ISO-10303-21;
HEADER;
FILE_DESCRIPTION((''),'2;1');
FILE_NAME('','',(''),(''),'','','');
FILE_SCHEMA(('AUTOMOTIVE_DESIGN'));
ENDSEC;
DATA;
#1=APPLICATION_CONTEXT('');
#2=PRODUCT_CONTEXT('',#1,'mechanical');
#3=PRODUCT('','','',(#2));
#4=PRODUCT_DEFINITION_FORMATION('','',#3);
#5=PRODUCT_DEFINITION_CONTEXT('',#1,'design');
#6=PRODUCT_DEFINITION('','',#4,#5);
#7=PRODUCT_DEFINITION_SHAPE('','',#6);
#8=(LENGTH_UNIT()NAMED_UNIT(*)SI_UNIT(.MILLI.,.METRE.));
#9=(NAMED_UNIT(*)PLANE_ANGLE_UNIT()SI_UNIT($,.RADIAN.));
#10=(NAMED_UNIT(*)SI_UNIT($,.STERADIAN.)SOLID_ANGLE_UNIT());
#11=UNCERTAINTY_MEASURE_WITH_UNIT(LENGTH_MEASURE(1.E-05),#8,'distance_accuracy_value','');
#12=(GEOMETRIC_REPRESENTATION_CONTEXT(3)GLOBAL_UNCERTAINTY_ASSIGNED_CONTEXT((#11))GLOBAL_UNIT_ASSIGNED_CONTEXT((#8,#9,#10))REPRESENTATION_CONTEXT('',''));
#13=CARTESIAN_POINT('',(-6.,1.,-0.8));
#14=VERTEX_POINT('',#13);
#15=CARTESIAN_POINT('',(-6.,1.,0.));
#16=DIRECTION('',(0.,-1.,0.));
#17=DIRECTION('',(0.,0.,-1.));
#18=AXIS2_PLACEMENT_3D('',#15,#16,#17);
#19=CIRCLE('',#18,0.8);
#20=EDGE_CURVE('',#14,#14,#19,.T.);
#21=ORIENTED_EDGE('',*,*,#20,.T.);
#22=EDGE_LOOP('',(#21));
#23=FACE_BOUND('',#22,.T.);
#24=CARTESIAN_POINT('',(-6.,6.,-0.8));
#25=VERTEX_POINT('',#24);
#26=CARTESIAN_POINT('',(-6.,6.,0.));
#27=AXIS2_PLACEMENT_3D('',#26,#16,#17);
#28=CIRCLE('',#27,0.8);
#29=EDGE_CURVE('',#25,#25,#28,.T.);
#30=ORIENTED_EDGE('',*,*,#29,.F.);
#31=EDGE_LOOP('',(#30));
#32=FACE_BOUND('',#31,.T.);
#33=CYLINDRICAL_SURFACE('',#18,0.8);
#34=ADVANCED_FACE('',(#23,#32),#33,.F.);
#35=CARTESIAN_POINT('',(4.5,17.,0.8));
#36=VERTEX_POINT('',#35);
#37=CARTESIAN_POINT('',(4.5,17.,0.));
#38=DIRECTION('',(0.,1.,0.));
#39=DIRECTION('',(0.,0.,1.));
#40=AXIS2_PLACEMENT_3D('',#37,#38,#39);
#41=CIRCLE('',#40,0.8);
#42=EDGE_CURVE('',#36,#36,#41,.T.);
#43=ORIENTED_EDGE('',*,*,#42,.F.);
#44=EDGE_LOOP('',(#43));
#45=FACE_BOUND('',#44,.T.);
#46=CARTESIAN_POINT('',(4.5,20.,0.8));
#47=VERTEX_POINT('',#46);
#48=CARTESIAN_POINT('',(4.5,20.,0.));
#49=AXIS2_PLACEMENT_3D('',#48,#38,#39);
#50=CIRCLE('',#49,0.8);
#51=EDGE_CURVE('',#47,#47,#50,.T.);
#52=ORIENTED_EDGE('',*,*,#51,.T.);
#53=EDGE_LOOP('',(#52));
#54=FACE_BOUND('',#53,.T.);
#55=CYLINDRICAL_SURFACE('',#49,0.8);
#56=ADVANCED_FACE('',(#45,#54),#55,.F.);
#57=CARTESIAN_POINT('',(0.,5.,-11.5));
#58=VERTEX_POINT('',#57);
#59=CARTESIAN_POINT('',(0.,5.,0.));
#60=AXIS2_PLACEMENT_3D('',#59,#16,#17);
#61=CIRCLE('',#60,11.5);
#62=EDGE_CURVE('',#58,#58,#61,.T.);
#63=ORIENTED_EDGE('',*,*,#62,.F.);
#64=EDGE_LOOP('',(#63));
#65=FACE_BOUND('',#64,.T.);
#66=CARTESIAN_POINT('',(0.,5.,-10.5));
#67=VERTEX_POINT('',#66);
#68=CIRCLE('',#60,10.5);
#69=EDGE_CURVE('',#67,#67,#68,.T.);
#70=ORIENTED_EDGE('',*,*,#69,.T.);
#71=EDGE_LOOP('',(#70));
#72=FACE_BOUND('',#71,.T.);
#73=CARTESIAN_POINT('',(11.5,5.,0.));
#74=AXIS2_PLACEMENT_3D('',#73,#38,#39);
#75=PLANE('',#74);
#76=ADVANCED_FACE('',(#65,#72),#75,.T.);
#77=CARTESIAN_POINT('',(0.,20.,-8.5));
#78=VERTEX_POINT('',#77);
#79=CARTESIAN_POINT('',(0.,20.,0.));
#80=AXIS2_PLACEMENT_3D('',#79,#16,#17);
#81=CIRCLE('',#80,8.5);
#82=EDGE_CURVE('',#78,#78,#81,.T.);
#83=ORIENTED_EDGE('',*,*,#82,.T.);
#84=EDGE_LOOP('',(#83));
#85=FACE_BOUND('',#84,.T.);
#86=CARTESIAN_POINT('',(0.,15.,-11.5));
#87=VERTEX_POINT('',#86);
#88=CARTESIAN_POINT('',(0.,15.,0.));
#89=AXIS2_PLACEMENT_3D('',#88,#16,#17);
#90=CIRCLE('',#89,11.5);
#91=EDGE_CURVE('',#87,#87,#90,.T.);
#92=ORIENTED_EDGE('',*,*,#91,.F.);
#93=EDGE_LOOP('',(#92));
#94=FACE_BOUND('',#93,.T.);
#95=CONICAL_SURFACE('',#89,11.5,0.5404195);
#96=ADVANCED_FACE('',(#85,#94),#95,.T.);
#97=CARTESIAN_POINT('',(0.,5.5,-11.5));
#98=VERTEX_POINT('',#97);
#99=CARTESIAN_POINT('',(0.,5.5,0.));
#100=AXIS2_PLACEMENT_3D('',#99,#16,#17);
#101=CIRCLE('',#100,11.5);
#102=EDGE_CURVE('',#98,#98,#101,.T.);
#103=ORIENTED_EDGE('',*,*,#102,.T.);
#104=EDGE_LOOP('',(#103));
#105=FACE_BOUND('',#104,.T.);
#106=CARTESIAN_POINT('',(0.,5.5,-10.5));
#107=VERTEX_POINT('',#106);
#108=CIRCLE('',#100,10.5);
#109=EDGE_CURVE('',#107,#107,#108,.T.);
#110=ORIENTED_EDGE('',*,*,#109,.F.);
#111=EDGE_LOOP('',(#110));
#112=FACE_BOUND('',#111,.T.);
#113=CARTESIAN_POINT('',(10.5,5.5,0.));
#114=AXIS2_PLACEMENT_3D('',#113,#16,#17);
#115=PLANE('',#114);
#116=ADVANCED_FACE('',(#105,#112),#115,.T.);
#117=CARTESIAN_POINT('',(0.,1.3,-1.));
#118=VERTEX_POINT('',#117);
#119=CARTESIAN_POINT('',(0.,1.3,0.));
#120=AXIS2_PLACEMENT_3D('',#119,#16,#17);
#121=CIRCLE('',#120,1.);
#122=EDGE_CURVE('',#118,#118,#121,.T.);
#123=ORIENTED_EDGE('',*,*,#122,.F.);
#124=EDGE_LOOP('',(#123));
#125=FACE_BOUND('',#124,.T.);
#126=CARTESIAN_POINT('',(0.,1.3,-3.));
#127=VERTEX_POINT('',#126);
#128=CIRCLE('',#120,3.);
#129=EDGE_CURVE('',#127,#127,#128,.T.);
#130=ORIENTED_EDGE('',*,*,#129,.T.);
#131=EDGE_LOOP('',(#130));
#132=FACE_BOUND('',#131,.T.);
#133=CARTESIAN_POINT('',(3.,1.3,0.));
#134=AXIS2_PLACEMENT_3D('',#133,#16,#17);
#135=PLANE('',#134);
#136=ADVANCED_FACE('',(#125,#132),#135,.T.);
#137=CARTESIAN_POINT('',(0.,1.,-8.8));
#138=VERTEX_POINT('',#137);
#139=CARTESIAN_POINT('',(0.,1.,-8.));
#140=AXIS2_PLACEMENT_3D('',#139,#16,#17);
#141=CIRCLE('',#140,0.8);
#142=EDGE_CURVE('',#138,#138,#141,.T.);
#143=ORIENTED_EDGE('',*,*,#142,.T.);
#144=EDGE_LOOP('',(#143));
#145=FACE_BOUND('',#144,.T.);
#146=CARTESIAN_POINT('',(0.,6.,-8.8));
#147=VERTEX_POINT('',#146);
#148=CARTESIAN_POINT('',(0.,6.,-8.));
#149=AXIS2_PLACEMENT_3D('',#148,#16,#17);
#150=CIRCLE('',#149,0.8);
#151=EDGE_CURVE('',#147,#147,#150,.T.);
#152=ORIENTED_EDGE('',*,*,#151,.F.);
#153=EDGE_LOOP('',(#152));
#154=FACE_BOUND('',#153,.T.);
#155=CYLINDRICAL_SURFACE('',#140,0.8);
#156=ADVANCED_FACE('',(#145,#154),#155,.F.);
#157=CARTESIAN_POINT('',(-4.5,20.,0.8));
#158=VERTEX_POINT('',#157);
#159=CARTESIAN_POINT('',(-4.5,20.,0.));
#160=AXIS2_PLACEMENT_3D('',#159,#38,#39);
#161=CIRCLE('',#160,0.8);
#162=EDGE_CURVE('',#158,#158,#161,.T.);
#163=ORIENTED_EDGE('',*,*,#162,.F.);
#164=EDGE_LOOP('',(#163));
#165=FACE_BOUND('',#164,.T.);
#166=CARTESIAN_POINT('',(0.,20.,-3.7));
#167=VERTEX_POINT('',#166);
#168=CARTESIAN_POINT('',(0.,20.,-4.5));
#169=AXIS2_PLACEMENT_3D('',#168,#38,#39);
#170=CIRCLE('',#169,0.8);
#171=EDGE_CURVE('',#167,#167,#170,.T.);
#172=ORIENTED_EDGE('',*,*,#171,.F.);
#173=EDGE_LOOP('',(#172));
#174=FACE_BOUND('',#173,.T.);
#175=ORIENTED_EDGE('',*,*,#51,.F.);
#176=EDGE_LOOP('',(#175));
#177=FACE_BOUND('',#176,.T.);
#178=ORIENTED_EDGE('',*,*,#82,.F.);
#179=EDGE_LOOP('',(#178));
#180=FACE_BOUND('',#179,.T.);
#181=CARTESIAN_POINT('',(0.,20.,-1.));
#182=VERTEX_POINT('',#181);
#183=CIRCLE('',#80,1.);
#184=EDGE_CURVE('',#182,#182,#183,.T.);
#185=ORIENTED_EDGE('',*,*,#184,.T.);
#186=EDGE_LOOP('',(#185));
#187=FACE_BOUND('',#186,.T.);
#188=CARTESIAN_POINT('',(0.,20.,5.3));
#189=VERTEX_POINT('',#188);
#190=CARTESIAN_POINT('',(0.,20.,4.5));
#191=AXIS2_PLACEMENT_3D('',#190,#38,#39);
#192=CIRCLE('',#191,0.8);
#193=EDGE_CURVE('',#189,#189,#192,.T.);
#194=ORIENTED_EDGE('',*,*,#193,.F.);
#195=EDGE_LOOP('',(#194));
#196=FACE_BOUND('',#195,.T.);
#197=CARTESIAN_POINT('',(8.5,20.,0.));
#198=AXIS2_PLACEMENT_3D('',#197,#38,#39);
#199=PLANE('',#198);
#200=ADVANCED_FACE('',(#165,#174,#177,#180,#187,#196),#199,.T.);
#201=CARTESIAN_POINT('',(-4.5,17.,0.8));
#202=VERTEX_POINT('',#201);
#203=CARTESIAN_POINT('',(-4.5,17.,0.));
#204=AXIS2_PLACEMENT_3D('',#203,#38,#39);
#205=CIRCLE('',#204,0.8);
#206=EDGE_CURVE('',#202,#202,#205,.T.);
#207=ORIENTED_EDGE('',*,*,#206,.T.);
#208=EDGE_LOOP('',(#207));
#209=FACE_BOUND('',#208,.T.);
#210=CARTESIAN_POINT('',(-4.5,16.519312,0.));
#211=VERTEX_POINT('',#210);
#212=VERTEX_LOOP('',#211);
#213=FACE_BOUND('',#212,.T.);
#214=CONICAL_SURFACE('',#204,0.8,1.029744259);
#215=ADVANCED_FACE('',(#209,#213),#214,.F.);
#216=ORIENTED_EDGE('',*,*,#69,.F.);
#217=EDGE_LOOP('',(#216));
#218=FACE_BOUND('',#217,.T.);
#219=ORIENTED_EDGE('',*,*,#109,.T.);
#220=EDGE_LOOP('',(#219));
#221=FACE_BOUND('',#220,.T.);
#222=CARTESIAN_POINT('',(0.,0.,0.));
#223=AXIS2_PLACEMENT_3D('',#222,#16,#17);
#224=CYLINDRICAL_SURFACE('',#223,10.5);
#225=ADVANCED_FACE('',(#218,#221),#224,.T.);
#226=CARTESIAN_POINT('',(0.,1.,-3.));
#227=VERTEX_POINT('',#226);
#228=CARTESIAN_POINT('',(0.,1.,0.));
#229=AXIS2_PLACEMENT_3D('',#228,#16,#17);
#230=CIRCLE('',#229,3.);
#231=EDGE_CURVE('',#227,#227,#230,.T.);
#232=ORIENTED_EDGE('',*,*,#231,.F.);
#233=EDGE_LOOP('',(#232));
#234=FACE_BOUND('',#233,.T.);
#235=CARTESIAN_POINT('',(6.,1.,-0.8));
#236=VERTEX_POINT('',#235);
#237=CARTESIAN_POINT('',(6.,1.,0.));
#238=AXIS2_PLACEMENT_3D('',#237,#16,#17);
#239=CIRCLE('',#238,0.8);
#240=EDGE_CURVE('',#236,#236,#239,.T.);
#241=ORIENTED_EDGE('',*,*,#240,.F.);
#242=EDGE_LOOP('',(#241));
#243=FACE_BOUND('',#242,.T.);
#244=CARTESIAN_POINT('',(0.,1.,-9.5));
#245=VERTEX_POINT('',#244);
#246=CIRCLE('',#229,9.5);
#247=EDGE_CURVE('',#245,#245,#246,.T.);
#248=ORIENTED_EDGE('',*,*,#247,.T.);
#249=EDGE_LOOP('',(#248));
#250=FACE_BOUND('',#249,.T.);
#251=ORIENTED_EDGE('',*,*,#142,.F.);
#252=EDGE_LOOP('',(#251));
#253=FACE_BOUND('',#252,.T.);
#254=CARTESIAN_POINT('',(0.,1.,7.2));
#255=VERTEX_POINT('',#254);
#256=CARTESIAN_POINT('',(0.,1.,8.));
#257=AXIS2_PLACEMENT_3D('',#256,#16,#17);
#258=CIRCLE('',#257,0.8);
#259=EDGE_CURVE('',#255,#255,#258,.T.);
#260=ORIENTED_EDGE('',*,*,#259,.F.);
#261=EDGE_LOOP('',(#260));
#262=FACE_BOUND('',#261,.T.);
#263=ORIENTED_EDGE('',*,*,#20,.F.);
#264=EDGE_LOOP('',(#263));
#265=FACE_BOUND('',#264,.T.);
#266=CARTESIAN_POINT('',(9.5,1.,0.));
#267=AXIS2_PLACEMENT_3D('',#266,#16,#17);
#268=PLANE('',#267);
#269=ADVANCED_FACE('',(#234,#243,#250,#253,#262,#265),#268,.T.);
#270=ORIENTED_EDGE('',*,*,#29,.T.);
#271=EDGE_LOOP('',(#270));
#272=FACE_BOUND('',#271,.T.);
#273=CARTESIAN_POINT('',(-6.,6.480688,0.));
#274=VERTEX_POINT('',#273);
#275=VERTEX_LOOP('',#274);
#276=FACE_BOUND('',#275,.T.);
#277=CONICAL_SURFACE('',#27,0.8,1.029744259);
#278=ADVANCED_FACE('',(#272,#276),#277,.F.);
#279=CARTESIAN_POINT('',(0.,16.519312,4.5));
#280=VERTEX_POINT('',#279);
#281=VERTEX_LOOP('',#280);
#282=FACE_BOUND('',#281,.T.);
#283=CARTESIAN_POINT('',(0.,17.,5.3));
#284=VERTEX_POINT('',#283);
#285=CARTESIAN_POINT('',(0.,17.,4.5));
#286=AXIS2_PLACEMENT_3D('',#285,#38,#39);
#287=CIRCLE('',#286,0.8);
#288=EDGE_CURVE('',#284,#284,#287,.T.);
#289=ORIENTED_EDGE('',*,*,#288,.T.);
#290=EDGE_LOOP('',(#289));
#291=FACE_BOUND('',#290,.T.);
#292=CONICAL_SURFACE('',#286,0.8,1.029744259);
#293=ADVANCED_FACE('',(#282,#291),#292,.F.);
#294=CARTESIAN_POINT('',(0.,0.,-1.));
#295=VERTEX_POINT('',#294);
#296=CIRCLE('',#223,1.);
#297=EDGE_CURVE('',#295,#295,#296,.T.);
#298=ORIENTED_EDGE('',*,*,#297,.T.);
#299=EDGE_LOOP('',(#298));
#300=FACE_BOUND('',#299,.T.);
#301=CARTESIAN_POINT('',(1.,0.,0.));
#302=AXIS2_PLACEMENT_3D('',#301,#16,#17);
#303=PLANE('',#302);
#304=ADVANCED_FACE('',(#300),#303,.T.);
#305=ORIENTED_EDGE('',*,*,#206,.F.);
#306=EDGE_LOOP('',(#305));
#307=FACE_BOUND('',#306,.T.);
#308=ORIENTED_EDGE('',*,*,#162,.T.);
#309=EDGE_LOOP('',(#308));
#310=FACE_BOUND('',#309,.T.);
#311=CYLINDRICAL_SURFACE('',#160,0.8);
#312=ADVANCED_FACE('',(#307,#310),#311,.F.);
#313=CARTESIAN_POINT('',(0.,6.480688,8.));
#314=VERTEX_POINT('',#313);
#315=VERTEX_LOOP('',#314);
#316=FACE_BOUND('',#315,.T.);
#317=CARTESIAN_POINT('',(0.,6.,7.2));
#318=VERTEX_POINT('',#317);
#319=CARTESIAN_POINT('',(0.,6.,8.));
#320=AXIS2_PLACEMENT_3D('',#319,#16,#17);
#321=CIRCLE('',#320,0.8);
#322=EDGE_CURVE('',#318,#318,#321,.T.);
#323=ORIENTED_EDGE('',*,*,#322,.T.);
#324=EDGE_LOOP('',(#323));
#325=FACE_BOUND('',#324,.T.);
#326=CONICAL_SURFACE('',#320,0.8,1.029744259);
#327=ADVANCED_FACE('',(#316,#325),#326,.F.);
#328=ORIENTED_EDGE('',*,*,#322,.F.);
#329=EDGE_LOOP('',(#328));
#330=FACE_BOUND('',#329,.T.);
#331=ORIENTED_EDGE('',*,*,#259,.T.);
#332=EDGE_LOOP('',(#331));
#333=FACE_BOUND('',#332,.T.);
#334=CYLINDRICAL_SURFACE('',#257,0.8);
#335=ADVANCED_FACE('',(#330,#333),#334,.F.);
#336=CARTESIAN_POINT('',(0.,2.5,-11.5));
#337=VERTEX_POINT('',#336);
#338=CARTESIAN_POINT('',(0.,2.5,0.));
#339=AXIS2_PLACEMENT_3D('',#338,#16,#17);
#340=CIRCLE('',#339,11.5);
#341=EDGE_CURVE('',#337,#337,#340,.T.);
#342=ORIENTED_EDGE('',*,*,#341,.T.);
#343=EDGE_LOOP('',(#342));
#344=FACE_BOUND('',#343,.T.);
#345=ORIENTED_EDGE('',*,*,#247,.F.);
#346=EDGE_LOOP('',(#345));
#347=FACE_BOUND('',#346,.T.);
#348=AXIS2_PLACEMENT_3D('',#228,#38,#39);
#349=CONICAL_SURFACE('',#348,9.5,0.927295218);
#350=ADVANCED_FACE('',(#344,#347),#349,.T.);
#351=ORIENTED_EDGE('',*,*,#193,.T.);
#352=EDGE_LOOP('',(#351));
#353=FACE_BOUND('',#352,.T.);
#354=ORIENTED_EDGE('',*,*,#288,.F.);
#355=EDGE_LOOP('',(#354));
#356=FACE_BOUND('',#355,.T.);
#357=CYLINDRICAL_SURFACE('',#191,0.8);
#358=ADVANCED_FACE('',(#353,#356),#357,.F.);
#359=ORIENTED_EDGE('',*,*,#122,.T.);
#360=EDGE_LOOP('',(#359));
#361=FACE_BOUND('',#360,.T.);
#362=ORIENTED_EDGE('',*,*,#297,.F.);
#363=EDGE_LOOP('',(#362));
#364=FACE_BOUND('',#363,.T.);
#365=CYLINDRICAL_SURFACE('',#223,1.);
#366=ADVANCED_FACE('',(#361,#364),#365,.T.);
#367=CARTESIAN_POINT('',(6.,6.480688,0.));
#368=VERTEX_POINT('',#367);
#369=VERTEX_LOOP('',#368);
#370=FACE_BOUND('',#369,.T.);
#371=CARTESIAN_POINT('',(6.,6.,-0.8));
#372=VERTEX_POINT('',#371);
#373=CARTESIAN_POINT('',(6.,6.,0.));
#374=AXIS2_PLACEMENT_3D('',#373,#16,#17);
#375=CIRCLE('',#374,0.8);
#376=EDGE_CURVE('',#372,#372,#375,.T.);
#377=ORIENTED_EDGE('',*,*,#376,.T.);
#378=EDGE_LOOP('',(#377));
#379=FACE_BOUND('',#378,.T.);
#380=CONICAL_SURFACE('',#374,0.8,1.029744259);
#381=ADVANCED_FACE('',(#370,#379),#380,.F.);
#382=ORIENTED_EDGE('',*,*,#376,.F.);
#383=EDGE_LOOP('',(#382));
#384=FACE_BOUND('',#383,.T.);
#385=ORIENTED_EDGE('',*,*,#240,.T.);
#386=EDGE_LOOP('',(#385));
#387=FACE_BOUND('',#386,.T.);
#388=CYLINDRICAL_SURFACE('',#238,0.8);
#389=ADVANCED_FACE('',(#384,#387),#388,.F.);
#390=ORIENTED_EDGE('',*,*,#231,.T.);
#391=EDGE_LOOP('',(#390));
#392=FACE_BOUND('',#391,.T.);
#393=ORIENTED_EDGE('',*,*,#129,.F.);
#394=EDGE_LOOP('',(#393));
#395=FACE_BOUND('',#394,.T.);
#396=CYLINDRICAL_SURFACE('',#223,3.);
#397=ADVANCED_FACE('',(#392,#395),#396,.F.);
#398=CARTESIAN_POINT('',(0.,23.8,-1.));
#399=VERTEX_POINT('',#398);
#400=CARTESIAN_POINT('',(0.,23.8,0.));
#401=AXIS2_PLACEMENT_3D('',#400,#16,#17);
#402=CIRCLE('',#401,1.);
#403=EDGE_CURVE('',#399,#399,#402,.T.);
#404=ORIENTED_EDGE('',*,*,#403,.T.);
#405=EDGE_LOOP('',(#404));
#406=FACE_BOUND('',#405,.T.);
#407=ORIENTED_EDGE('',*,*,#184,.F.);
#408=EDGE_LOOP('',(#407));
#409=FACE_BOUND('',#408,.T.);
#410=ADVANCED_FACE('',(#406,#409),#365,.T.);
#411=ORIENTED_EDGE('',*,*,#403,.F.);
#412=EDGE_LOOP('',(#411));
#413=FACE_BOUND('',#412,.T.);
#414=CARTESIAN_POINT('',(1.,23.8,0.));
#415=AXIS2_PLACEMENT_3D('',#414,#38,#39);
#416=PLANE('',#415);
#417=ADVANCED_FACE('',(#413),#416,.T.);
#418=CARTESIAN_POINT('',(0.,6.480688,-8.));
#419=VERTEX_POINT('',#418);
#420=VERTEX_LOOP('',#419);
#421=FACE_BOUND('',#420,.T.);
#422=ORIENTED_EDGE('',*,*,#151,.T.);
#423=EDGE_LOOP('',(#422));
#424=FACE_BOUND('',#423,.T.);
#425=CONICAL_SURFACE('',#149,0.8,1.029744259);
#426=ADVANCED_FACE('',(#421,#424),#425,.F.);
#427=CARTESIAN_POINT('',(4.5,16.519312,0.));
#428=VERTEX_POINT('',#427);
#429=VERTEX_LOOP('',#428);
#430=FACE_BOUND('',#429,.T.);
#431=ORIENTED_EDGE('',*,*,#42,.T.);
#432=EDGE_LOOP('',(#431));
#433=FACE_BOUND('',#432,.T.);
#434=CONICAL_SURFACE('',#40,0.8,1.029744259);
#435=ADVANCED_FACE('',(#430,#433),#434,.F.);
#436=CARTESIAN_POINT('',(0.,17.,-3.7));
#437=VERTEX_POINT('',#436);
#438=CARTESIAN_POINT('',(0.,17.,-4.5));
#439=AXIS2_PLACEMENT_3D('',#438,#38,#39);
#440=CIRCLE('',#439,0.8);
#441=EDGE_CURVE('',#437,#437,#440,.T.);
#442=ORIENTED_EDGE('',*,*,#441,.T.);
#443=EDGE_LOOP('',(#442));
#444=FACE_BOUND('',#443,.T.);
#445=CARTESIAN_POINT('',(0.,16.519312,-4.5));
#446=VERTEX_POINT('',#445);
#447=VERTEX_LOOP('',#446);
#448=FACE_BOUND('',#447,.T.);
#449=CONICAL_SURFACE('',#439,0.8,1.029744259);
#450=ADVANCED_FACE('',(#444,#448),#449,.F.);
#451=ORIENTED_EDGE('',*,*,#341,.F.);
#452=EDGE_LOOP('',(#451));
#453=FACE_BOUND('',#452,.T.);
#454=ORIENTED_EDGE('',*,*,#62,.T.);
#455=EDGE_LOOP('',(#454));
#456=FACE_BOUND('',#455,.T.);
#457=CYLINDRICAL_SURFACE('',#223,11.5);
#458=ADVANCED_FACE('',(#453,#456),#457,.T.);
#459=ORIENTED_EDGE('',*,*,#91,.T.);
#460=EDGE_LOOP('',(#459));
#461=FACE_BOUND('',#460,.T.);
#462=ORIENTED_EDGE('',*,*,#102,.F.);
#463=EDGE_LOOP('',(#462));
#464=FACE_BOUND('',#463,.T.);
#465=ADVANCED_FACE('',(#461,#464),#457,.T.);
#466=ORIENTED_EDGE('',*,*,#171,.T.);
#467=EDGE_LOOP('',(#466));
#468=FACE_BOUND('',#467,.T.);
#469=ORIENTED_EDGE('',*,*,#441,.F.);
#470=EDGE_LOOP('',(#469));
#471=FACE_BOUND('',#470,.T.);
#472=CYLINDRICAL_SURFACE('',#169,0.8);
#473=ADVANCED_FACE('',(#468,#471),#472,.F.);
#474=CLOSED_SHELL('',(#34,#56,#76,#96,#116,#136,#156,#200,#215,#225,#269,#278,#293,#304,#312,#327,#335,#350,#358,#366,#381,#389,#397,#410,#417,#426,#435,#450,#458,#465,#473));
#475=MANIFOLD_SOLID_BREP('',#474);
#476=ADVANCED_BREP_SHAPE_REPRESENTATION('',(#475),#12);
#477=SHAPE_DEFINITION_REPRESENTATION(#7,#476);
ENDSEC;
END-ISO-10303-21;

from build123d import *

# Parameters (mm, degrees)
M2_GEWINDEBOHRUNG1_D     = 1.6
M2_GEWINDEBOHRUNG1_DEPTH = 3
M2_GEWINDEBOHRUNG1_TIP   = 0.480688495
M2_GEWINDEBOHRUNG2_D     = 1.6
M2_GEWINDEBOHRUNG2_DEPTH = 5
M2_GEWINDEBOHRUNG2_TIP   = 0.480688495


with BuildPart() as part:
    # Skizze1 → Rotation1 (revolve)
    with BuildSketch(Plane.XY, mode=Mode.PRIVATE) as rotation1_sk:
        Polygon((9.5, 1), (3, 1), (3, 1.3), (1, 1.3), (1, 0), (0, 0), (0, 23.8), (1, 23.8), (1, 20), (8.5, 20), (11.5, 15), (11.5, 5.5), (10.5, 5.5), (10.5, 5), (11.5, 5), (11.5, 2.5), align=None)
    revolve(rotation1_sk.sketch.rotate(Axis((0, 0, 0), (0, 1, 0)), 90), axis=Axis((0, 0, 0), (0, 1, 0)))

    # M2 Gewindebohrung1
    with Locations(Plane(origin=(0, 20, 0), x_dir=(1, 0, 0), z_dir=(0, 1, 0))):
        with Locations((-4.5, 0), (0, 4.5), (4.5, 0), (0, -4.5)):
            Hole(M2_GEWINDEBOHRUNG1_D / 2, depth=M2_GEWINDEBOHRUNG1_DEPTH)
            with Locations((0, 0, -(M2_GEWINDEBOHRUNG1_DEPTH + M2_GEWINDEBOHRUNG1_TIP / 2))):  # 118° drill point
                Cone(0, M2_GEWINDEBOHRUNG1_D / 2, M2_GEWINDEBOHRUNG1_TIP, mode=Mode.SUBTRACT)

    # M2 Gewindebohrung2
    with Locations(Plane(origin=(0, 1, 0), x_dir=(-1, 0, 0), z_dir=(0, -1, 0))):
        with Locations((0, 8), (0, -8), (6, 0), (-6, 0)):
            Hole(M2_GEWINDEBOHRUNG2_D / 2, depth=M2_GEWINDEBOHRUNG2_DEPTH)
            with Locations((0, 0, -(M2_GEWINDEBOHRUNG2_DEPTH + M2_GEWINDEBOHRUNG2_TIP / 2))):  # 118° drill point
                Cone(0, M2_GEWINDEBOHRUNG2_D / 2, M2_GEWINDEBOHRUNG2_TIP, mode=Mode.SUBTRACT)


solid = part.part
